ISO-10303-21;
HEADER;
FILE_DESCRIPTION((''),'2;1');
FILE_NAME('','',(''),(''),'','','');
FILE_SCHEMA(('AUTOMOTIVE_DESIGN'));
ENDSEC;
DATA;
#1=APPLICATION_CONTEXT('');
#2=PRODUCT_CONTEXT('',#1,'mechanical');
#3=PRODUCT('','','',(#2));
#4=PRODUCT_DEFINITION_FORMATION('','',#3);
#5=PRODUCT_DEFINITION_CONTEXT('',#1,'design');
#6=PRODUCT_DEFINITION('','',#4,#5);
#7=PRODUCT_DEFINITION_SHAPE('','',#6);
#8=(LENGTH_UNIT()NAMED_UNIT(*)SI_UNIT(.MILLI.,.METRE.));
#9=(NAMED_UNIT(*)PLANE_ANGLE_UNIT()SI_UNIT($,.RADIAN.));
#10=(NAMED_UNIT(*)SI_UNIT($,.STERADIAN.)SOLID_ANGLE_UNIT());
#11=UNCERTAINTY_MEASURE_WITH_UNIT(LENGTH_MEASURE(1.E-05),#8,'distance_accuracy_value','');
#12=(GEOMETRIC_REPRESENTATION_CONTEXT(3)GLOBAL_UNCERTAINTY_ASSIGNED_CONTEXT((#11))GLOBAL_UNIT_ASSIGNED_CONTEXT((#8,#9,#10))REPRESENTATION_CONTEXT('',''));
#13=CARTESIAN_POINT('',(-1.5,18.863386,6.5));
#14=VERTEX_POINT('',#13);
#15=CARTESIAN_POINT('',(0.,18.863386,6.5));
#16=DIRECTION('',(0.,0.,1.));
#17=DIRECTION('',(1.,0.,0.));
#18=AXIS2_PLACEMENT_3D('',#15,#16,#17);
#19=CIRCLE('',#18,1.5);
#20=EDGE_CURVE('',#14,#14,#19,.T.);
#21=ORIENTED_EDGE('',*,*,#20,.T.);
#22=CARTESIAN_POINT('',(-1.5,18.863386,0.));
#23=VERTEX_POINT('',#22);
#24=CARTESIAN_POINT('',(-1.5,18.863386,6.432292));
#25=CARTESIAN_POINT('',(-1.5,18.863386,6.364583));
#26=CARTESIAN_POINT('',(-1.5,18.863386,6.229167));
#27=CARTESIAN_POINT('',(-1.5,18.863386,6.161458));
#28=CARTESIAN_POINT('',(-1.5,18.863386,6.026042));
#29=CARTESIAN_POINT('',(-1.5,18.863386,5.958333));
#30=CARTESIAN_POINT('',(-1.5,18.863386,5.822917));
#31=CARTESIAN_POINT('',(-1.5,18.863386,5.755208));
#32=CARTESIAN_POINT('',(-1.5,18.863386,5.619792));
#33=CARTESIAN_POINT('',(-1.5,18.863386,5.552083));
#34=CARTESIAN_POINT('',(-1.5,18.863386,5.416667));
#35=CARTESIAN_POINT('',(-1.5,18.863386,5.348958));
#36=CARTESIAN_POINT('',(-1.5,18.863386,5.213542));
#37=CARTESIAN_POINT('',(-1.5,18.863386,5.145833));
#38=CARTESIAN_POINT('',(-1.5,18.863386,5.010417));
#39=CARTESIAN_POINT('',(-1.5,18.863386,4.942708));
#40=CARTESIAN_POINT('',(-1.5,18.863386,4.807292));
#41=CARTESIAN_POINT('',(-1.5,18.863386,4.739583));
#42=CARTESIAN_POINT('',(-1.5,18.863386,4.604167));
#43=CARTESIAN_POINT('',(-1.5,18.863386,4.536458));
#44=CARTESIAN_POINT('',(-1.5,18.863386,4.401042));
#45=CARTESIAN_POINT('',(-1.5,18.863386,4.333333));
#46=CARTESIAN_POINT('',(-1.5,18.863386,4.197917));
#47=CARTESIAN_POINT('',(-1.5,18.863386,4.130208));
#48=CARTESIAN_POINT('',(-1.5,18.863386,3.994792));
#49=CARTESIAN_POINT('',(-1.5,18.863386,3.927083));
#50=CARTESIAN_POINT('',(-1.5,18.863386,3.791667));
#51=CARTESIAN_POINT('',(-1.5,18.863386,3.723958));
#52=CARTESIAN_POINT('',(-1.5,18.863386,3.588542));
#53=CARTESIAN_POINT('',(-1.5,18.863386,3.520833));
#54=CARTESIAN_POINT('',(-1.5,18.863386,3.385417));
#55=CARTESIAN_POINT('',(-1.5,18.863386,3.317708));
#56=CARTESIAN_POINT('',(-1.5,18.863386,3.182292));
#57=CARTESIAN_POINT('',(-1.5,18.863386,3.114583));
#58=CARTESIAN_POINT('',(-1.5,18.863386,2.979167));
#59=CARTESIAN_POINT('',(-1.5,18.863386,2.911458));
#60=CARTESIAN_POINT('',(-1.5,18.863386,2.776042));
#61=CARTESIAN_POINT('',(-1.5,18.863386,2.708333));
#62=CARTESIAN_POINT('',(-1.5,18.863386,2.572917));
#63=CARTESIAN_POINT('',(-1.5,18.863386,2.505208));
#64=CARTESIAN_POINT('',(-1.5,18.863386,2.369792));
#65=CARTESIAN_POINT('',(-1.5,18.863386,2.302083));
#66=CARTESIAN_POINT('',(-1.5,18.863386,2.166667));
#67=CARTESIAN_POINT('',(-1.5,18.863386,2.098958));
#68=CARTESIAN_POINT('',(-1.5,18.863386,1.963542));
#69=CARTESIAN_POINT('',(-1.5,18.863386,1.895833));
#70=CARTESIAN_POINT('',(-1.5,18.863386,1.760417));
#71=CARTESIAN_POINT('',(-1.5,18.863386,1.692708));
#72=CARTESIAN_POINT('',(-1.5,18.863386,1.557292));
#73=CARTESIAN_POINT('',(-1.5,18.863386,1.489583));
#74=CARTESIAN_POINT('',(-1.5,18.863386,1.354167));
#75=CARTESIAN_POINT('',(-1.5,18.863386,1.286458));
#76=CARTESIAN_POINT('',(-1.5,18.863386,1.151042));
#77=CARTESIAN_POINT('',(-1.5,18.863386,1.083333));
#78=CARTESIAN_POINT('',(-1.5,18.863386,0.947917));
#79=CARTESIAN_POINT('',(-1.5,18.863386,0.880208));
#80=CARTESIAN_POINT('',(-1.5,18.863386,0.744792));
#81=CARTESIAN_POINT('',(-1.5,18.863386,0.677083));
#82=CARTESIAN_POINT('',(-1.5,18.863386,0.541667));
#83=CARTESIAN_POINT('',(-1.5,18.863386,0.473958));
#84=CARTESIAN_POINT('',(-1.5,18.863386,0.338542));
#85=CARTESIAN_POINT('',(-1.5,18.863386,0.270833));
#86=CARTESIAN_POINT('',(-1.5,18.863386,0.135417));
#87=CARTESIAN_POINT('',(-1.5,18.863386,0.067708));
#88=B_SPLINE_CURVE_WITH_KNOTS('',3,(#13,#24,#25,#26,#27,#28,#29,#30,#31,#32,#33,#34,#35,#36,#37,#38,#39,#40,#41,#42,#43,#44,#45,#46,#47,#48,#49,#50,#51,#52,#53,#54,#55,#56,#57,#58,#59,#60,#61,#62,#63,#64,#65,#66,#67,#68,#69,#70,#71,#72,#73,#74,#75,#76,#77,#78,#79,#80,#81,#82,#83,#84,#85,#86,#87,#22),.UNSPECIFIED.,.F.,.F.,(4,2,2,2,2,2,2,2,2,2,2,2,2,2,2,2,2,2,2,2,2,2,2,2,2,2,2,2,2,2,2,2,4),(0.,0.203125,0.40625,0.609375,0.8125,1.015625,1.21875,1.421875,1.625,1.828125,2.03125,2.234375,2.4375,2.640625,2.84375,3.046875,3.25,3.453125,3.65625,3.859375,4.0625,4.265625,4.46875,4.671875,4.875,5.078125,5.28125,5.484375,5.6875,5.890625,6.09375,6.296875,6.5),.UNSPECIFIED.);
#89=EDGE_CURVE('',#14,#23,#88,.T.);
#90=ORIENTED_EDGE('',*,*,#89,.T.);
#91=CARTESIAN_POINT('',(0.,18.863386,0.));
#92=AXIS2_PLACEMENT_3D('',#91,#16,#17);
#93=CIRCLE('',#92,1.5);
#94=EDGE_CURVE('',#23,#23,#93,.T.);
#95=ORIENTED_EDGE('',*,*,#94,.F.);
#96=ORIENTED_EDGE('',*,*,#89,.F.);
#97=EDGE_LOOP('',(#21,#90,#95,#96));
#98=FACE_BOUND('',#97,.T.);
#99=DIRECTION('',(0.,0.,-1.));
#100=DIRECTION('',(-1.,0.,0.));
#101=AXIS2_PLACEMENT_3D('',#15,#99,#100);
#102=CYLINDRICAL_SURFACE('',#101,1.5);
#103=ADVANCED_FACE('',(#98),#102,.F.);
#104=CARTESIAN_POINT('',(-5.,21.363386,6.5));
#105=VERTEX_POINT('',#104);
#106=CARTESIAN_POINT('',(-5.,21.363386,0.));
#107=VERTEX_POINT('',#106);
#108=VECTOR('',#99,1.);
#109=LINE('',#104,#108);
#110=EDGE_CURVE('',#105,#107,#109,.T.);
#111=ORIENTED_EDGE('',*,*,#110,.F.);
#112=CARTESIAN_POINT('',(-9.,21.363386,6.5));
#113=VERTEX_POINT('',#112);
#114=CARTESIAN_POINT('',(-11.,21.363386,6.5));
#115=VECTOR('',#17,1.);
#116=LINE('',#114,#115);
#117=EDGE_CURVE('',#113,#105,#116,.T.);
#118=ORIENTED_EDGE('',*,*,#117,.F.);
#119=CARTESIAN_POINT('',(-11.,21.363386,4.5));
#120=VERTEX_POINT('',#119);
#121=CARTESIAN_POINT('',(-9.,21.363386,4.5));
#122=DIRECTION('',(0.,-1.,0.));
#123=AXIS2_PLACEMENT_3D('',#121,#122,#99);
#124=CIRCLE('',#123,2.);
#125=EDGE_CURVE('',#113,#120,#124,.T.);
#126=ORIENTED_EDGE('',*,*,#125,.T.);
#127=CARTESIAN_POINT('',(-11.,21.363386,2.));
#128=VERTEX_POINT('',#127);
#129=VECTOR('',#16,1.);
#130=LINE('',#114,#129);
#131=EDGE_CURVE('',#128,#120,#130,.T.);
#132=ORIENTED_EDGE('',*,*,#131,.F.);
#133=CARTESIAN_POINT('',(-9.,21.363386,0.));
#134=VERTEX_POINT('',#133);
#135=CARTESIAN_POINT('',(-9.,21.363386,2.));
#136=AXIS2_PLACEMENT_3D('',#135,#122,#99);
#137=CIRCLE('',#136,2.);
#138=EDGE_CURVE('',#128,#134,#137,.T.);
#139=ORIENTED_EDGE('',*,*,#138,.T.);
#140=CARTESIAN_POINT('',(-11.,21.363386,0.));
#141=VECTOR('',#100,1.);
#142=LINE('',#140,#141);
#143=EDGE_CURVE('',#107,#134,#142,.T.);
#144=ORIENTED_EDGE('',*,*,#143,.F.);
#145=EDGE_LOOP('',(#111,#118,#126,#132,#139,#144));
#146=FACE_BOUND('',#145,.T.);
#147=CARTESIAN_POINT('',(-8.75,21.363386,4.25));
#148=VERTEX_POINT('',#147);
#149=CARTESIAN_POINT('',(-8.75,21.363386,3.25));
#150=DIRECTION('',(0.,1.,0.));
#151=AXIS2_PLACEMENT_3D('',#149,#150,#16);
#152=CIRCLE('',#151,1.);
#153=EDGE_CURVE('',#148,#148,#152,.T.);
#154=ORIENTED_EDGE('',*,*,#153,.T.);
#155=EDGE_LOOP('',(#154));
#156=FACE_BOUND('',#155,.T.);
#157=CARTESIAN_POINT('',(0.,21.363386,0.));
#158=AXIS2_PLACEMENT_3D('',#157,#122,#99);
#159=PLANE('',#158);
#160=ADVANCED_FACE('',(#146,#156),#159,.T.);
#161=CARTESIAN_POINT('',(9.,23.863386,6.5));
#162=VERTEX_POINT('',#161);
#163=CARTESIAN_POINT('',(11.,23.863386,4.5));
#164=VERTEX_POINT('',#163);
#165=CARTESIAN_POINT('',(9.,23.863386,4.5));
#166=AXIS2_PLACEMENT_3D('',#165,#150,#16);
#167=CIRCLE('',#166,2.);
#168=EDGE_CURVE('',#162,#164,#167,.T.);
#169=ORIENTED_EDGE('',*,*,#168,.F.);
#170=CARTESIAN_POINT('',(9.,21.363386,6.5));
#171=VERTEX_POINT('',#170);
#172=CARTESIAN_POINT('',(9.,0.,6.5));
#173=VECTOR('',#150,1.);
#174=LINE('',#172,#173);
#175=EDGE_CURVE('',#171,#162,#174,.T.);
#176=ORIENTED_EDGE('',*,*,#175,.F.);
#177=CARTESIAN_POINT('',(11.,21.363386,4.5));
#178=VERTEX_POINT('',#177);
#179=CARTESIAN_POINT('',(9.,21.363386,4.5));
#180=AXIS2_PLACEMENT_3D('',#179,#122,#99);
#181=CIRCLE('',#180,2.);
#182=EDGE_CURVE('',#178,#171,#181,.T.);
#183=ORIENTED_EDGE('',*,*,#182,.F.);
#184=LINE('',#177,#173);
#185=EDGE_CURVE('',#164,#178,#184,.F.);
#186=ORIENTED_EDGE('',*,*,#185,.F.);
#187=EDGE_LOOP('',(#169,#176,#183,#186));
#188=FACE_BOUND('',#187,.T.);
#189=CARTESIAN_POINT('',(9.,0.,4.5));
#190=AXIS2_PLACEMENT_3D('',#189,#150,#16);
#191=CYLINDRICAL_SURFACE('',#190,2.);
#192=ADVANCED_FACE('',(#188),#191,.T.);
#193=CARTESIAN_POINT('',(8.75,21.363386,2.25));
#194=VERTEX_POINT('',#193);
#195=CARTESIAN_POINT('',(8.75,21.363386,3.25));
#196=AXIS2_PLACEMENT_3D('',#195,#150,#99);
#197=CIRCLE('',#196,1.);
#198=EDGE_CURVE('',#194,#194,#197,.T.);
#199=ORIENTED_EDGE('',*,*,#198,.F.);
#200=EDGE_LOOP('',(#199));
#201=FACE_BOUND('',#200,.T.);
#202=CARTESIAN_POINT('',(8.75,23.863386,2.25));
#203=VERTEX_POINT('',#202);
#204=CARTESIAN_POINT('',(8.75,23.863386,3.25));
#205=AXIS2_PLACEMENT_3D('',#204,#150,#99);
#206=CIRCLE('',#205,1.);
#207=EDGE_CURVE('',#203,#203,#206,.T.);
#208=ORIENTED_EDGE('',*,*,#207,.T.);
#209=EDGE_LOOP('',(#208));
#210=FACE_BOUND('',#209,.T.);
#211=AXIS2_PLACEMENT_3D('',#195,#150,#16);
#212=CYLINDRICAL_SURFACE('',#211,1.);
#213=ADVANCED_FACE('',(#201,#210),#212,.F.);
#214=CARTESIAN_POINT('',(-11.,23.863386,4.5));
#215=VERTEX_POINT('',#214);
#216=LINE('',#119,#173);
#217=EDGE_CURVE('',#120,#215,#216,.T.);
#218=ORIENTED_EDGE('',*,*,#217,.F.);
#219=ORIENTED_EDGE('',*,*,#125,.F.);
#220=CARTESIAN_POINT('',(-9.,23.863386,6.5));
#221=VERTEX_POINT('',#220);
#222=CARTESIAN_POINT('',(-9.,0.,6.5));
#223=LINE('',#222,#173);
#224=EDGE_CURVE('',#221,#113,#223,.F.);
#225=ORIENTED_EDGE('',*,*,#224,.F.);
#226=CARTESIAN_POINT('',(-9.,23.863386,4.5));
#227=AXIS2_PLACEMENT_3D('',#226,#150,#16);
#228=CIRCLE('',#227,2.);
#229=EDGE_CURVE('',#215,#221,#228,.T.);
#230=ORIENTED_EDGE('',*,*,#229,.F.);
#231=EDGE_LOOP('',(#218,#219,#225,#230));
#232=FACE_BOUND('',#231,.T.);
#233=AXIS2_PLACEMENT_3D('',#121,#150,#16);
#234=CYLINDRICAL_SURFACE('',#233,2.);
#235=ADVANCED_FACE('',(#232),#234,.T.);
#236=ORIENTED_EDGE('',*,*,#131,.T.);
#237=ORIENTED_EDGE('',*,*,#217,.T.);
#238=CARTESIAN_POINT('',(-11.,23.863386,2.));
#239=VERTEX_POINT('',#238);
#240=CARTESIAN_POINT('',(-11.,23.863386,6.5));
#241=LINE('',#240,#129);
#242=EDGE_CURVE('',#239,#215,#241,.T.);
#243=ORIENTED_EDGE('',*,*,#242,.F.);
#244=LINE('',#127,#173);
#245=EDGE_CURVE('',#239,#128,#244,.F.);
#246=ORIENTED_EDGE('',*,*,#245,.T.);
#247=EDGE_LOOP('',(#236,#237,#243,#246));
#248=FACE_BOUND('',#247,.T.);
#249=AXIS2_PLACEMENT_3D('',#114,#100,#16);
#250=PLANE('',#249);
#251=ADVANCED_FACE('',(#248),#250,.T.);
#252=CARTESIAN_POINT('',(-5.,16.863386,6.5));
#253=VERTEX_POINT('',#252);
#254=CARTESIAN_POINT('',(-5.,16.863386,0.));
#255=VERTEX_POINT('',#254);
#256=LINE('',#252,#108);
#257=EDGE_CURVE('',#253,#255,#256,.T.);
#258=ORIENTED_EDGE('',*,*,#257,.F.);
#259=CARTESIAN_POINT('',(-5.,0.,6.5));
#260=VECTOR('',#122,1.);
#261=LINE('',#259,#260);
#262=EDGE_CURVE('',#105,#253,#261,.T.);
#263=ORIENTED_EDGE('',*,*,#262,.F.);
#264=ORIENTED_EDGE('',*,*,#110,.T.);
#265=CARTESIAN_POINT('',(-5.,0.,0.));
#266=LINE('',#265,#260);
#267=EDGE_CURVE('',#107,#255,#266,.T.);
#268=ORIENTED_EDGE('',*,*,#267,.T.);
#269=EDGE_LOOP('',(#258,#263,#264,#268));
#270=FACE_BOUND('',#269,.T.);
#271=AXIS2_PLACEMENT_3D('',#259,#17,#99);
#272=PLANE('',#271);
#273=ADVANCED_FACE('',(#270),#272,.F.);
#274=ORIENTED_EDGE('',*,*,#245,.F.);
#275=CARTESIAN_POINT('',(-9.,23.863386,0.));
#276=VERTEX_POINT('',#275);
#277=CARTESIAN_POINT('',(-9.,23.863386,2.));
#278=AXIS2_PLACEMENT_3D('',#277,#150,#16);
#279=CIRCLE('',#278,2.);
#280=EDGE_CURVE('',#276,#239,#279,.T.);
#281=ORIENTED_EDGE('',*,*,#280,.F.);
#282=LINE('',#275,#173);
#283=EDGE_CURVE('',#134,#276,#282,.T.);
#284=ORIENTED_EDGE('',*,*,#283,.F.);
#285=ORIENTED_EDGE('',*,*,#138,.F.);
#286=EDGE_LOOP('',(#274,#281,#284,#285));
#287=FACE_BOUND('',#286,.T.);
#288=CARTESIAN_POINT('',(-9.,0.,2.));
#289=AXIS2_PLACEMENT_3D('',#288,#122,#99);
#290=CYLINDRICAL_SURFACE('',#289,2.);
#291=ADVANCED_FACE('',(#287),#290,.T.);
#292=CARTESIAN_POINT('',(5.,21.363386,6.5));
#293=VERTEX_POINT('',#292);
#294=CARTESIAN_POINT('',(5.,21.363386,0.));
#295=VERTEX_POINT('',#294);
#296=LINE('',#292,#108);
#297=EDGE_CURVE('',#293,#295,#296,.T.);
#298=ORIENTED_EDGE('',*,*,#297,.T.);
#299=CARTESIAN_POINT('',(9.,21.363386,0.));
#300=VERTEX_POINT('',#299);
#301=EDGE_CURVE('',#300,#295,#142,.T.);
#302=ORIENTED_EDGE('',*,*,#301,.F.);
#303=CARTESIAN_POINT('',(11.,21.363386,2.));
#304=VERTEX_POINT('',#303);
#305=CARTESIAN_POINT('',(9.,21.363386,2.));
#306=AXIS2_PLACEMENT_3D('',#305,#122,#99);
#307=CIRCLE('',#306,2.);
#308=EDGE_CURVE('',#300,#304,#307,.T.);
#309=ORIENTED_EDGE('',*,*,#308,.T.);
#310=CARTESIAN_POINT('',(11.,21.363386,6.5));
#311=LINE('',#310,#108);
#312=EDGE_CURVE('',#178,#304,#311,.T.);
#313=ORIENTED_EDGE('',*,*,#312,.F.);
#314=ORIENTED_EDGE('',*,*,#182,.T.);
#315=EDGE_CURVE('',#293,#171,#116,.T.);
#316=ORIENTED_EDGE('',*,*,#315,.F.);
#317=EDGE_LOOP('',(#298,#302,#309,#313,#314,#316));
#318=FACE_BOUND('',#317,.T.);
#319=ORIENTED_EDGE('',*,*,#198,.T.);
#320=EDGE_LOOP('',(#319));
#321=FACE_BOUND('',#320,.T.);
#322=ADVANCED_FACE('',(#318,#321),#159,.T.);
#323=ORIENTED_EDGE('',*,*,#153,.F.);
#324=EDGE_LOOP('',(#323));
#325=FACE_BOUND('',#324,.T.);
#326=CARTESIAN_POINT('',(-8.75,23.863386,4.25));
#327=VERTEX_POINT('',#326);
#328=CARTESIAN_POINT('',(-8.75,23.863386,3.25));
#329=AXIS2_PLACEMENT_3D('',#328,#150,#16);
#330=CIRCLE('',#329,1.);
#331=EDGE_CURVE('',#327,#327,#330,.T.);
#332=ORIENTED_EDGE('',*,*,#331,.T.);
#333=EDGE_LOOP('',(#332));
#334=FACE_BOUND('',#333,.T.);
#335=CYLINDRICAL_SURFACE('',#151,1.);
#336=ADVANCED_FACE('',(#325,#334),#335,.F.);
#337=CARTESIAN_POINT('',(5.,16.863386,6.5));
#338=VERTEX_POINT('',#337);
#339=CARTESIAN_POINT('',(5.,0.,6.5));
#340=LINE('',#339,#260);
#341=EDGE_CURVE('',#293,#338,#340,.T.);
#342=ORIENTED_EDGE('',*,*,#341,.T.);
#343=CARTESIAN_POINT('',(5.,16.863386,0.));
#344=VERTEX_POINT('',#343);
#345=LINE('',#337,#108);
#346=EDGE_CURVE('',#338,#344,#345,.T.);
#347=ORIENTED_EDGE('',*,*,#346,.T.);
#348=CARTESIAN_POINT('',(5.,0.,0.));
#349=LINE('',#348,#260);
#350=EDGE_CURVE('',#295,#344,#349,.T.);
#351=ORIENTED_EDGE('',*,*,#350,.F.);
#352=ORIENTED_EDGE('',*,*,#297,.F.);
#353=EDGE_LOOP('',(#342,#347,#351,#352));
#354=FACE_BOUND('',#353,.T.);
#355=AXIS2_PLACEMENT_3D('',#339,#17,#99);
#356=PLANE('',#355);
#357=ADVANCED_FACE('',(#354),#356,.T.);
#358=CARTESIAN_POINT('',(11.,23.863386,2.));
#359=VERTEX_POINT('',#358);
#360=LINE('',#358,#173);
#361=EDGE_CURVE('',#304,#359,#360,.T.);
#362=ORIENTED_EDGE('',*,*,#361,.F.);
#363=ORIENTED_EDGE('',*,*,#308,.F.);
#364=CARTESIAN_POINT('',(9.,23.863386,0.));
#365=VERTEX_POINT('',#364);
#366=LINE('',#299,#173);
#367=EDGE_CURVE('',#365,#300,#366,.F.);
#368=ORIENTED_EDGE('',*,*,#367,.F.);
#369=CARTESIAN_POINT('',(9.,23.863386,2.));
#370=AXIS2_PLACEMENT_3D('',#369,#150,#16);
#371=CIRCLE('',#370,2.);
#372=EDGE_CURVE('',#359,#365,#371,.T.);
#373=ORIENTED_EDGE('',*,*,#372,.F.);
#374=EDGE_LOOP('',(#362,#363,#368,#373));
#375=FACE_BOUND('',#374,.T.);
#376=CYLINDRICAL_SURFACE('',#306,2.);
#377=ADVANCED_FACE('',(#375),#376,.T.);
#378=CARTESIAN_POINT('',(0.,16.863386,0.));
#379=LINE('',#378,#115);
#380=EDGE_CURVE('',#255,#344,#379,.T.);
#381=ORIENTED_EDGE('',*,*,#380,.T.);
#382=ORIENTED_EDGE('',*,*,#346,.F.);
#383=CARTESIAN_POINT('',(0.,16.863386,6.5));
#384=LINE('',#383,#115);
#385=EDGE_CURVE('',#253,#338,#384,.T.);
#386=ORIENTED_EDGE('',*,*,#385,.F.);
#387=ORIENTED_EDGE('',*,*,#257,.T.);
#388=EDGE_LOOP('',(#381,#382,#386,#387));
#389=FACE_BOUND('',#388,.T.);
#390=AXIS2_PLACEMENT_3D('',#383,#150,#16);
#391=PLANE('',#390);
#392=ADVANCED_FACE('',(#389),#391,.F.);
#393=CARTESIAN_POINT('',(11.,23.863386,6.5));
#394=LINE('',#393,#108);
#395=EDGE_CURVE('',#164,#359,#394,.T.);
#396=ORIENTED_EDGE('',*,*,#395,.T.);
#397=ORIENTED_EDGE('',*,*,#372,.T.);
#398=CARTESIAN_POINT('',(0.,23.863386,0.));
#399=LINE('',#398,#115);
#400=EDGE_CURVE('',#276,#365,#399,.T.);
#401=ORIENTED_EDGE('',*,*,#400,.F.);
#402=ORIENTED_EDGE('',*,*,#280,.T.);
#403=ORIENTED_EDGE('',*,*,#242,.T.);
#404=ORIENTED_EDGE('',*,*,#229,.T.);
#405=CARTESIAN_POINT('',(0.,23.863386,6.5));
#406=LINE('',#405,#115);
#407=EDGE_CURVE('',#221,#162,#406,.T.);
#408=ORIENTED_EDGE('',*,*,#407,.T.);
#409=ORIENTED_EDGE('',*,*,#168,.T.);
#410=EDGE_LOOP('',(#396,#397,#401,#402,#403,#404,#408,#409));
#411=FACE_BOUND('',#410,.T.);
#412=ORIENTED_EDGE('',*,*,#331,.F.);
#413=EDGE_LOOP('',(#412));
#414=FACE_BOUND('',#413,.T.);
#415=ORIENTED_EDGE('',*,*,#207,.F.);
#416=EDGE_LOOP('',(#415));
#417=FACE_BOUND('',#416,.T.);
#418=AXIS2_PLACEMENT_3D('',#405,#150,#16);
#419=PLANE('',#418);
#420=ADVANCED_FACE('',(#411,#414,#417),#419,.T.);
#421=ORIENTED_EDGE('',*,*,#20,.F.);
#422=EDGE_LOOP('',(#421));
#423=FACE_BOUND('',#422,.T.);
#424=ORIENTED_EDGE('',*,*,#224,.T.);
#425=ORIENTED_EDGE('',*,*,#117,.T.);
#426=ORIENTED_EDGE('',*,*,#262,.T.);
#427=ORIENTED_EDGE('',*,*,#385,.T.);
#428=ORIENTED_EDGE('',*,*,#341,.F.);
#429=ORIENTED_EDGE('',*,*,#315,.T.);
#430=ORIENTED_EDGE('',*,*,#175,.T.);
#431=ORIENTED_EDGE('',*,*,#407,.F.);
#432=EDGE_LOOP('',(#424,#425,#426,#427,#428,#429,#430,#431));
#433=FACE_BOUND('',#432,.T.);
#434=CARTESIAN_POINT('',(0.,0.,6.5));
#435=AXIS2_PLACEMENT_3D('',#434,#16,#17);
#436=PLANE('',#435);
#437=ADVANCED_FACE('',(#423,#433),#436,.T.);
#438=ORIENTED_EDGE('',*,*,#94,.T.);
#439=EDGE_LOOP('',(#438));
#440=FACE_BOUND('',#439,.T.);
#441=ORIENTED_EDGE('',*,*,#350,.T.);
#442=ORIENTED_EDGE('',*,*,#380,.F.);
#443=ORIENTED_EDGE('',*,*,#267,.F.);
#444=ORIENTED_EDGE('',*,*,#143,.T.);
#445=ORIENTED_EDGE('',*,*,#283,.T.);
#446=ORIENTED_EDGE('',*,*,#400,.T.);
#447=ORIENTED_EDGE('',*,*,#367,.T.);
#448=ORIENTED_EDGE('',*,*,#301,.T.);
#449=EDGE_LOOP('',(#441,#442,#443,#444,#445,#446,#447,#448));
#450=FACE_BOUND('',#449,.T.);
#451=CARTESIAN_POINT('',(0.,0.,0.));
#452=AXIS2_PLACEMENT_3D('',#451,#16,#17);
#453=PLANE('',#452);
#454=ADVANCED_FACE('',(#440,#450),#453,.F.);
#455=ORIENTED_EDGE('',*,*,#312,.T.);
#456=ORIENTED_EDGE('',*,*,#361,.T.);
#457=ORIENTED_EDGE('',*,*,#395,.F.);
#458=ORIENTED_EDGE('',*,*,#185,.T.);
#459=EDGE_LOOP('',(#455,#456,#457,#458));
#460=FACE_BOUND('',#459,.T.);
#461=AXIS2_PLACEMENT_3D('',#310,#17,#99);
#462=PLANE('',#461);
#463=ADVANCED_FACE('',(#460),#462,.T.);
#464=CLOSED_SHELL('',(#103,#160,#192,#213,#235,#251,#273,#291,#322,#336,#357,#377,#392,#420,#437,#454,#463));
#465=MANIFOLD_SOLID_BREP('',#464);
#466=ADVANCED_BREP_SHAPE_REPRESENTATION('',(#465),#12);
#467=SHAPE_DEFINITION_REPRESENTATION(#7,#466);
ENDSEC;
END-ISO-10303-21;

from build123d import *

# Parameters (mm, degrees)
SKETCH1_W           = 10
SKETCH1_H           = 4
SKETCH1_R           = 1.5
SKETCH1_H_2         = 3
BOSS_EXTRUDE1_DEPTH = 6.5
SKETCH12_W          = 22
SKETCH12_H          = 6.5
SKETCH12_R          = 1
BOSS_EXTRUDE2_DEPTH = 2.5
FILLET1_R           = 2


with BuildPart() as part:
    # Sketch1 → Boss-Extrude1 (new body)
    # profile 1 of 2: a face of its own
    with BuildSketch(Plane.XY):
        with Locations((0, 18.863386012)):
            Rectangle(SKETCH1_W, SKETCH1_H)
        with Locations(Location((0, 18.863386012, 0), (0, 0, 180))):
            Circle(SKETCH1_R, mode=Mode.SUBTRACT)
    # profile 2 of 2: a face of its own
    with BuildSketch(Plane.XY):
        with Locations((0, 22.363386012)):
            Rectangle(SKETCH1_W, SKETCH1_H_2)
    extrude(amount=BOSS_EXTRUDE1_DEPTH)

    # Sketch12 → Boss-Extrude2 (add)
    with BuildSketch(Plane(origin=(0, 23.863386012, 0), x_dir=(1, 0, 0), z_dir=(0, 1, 0))):
        with Locations((0, -3.25)):
            Rectangle(SKETCH12_W, SKETCH12_H)
        with Locations(Location((-8.75, -3.25, 0), (0, 0, 270))):
            Circle(SKETCH12_R, mode=Mode.SUBTRACT)
        with Locations(Location((8.75, -3.25, 0), (0, 0, 90))):
            Circle(SKETCH12_R, mode=Mode.SUBTRACT)
    extrude(amount=-BOSS_EXTRUDE2_DEPTH)

    # Fillet1
    fillet1_edges = [part.edges().sort_by_distance(p)[0] for p in [
        (-11, 22.613386012, 0),
        (11, 22.613386012, 0),
        (11, 22.613386012, 6.5),
        (-11, 22.613386012, 6.5),
    ]]
    fillet(fillet1_edges, radius=FILLET1_R)


solid = part.part
